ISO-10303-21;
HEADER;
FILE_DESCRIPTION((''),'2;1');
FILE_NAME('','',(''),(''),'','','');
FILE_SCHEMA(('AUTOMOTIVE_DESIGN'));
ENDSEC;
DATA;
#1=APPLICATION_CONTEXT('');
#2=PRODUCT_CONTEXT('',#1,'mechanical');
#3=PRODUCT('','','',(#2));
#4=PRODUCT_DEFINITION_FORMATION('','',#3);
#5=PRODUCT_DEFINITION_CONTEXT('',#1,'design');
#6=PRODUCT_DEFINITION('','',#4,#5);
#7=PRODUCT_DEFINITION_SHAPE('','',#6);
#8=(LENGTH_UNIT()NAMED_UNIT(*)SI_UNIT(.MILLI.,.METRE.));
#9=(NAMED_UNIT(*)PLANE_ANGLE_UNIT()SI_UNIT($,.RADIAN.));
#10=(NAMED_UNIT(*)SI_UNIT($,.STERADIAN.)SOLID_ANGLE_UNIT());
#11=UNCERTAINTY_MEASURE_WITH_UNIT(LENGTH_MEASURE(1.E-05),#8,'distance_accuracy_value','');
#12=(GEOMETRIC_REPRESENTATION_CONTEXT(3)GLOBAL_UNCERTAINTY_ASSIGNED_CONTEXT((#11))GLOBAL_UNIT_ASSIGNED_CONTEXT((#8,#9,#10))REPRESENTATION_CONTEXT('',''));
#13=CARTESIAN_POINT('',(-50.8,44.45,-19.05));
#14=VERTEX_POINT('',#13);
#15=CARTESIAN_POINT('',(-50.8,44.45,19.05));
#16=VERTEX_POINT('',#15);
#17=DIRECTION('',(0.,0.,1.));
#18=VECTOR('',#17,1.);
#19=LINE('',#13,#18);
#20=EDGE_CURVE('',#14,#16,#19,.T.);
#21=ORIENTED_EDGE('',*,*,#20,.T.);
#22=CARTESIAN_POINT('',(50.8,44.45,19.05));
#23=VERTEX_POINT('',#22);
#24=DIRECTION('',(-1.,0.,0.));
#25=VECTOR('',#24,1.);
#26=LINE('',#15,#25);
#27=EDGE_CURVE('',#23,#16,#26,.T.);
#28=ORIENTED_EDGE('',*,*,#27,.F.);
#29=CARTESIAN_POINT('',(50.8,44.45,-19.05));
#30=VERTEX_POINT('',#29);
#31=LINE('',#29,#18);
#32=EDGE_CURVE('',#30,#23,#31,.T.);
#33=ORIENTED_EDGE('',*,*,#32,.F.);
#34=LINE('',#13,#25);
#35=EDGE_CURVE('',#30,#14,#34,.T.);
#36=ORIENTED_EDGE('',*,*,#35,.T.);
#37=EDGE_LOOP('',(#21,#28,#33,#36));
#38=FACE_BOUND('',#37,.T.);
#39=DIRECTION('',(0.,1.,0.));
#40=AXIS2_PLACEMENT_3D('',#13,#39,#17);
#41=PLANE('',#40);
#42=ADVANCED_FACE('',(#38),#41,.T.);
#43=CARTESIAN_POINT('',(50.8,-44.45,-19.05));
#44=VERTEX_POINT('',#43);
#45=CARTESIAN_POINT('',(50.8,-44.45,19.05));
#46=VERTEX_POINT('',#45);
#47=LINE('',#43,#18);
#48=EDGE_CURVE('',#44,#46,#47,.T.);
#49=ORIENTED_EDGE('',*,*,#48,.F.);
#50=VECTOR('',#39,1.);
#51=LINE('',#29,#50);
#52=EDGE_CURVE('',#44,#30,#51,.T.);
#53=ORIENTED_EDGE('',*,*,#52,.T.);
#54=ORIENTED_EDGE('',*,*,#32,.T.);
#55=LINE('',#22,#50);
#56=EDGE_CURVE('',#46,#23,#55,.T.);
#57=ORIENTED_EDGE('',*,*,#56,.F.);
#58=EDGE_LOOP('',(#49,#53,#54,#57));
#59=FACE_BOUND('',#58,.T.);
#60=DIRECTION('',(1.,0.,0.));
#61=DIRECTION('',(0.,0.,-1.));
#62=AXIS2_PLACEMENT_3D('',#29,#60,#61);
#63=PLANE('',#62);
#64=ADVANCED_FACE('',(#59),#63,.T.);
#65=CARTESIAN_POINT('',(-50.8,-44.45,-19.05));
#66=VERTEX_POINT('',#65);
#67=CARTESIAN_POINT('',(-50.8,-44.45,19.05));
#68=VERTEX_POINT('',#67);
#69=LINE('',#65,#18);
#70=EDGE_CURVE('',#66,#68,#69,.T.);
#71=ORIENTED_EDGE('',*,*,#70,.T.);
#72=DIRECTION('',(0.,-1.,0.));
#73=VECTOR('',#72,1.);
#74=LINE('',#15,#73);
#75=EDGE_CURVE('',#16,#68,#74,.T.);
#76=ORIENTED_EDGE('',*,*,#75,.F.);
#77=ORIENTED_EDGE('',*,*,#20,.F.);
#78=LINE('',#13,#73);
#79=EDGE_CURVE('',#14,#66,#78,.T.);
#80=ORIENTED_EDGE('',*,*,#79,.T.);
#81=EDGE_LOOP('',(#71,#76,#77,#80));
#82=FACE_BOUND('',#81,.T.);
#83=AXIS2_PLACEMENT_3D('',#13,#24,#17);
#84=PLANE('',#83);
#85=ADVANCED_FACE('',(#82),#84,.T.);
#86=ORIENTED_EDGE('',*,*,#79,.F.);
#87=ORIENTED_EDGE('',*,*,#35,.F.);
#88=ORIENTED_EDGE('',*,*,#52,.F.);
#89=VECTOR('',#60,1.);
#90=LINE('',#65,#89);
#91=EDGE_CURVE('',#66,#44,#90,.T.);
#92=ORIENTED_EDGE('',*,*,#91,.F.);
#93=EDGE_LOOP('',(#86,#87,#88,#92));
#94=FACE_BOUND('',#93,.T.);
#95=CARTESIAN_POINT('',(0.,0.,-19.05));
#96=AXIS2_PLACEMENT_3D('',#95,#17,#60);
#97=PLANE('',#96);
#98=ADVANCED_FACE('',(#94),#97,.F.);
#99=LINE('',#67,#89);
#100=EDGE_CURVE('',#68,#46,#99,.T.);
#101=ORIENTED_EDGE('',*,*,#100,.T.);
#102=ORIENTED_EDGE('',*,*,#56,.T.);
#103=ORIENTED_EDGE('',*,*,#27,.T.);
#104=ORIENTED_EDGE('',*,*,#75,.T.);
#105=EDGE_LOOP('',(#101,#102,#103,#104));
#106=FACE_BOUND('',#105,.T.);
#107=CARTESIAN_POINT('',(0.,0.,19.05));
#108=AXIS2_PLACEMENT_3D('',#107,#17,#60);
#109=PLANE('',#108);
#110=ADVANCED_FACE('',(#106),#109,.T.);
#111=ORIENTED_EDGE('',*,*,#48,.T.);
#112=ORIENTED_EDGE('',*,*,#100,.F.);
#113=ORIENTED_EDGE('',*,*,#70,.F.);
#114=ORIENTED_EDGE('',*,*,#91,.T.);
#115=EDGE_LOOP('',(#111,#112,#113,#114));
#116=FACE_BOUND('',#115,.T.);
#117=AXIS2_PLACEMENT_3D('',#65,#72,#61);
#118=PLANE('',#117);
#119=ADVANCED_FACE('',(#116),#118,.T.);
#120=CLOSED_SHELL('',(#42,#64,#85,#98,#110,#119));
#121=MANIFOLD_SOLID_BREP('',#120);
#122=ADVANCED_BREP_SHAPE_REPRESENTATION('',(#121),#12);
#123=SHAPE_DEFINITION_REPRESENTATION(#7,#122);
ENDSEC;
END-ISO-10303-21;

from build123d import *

# Parameters (mm, degrees)
BOSS_EXTRUDE1_DEPTH      = 19.05
BOSS_EXTRUDE1_DEPTH_BACK = 19.05
SKETCH1_W                = 101.6
SKETCH1_H                = 88.9


with BuildPart() as part:
    # Sketch1 → Boss-Extrude1 (new, two sides: drawn at the far end of the back side and taken through both)
    with BuildSketch(Plane.XY.offset(-BOSS_EXTRUDE1_DEPTH_BACK)):
        Rectangle(SKETCH1_W, SKETCH1_H)
    extrude(amount=BOSS_EXTRUDE1_DEPTH + BOSS_EXTRUDE1_DEPTH_BACK)


solid = part.part
